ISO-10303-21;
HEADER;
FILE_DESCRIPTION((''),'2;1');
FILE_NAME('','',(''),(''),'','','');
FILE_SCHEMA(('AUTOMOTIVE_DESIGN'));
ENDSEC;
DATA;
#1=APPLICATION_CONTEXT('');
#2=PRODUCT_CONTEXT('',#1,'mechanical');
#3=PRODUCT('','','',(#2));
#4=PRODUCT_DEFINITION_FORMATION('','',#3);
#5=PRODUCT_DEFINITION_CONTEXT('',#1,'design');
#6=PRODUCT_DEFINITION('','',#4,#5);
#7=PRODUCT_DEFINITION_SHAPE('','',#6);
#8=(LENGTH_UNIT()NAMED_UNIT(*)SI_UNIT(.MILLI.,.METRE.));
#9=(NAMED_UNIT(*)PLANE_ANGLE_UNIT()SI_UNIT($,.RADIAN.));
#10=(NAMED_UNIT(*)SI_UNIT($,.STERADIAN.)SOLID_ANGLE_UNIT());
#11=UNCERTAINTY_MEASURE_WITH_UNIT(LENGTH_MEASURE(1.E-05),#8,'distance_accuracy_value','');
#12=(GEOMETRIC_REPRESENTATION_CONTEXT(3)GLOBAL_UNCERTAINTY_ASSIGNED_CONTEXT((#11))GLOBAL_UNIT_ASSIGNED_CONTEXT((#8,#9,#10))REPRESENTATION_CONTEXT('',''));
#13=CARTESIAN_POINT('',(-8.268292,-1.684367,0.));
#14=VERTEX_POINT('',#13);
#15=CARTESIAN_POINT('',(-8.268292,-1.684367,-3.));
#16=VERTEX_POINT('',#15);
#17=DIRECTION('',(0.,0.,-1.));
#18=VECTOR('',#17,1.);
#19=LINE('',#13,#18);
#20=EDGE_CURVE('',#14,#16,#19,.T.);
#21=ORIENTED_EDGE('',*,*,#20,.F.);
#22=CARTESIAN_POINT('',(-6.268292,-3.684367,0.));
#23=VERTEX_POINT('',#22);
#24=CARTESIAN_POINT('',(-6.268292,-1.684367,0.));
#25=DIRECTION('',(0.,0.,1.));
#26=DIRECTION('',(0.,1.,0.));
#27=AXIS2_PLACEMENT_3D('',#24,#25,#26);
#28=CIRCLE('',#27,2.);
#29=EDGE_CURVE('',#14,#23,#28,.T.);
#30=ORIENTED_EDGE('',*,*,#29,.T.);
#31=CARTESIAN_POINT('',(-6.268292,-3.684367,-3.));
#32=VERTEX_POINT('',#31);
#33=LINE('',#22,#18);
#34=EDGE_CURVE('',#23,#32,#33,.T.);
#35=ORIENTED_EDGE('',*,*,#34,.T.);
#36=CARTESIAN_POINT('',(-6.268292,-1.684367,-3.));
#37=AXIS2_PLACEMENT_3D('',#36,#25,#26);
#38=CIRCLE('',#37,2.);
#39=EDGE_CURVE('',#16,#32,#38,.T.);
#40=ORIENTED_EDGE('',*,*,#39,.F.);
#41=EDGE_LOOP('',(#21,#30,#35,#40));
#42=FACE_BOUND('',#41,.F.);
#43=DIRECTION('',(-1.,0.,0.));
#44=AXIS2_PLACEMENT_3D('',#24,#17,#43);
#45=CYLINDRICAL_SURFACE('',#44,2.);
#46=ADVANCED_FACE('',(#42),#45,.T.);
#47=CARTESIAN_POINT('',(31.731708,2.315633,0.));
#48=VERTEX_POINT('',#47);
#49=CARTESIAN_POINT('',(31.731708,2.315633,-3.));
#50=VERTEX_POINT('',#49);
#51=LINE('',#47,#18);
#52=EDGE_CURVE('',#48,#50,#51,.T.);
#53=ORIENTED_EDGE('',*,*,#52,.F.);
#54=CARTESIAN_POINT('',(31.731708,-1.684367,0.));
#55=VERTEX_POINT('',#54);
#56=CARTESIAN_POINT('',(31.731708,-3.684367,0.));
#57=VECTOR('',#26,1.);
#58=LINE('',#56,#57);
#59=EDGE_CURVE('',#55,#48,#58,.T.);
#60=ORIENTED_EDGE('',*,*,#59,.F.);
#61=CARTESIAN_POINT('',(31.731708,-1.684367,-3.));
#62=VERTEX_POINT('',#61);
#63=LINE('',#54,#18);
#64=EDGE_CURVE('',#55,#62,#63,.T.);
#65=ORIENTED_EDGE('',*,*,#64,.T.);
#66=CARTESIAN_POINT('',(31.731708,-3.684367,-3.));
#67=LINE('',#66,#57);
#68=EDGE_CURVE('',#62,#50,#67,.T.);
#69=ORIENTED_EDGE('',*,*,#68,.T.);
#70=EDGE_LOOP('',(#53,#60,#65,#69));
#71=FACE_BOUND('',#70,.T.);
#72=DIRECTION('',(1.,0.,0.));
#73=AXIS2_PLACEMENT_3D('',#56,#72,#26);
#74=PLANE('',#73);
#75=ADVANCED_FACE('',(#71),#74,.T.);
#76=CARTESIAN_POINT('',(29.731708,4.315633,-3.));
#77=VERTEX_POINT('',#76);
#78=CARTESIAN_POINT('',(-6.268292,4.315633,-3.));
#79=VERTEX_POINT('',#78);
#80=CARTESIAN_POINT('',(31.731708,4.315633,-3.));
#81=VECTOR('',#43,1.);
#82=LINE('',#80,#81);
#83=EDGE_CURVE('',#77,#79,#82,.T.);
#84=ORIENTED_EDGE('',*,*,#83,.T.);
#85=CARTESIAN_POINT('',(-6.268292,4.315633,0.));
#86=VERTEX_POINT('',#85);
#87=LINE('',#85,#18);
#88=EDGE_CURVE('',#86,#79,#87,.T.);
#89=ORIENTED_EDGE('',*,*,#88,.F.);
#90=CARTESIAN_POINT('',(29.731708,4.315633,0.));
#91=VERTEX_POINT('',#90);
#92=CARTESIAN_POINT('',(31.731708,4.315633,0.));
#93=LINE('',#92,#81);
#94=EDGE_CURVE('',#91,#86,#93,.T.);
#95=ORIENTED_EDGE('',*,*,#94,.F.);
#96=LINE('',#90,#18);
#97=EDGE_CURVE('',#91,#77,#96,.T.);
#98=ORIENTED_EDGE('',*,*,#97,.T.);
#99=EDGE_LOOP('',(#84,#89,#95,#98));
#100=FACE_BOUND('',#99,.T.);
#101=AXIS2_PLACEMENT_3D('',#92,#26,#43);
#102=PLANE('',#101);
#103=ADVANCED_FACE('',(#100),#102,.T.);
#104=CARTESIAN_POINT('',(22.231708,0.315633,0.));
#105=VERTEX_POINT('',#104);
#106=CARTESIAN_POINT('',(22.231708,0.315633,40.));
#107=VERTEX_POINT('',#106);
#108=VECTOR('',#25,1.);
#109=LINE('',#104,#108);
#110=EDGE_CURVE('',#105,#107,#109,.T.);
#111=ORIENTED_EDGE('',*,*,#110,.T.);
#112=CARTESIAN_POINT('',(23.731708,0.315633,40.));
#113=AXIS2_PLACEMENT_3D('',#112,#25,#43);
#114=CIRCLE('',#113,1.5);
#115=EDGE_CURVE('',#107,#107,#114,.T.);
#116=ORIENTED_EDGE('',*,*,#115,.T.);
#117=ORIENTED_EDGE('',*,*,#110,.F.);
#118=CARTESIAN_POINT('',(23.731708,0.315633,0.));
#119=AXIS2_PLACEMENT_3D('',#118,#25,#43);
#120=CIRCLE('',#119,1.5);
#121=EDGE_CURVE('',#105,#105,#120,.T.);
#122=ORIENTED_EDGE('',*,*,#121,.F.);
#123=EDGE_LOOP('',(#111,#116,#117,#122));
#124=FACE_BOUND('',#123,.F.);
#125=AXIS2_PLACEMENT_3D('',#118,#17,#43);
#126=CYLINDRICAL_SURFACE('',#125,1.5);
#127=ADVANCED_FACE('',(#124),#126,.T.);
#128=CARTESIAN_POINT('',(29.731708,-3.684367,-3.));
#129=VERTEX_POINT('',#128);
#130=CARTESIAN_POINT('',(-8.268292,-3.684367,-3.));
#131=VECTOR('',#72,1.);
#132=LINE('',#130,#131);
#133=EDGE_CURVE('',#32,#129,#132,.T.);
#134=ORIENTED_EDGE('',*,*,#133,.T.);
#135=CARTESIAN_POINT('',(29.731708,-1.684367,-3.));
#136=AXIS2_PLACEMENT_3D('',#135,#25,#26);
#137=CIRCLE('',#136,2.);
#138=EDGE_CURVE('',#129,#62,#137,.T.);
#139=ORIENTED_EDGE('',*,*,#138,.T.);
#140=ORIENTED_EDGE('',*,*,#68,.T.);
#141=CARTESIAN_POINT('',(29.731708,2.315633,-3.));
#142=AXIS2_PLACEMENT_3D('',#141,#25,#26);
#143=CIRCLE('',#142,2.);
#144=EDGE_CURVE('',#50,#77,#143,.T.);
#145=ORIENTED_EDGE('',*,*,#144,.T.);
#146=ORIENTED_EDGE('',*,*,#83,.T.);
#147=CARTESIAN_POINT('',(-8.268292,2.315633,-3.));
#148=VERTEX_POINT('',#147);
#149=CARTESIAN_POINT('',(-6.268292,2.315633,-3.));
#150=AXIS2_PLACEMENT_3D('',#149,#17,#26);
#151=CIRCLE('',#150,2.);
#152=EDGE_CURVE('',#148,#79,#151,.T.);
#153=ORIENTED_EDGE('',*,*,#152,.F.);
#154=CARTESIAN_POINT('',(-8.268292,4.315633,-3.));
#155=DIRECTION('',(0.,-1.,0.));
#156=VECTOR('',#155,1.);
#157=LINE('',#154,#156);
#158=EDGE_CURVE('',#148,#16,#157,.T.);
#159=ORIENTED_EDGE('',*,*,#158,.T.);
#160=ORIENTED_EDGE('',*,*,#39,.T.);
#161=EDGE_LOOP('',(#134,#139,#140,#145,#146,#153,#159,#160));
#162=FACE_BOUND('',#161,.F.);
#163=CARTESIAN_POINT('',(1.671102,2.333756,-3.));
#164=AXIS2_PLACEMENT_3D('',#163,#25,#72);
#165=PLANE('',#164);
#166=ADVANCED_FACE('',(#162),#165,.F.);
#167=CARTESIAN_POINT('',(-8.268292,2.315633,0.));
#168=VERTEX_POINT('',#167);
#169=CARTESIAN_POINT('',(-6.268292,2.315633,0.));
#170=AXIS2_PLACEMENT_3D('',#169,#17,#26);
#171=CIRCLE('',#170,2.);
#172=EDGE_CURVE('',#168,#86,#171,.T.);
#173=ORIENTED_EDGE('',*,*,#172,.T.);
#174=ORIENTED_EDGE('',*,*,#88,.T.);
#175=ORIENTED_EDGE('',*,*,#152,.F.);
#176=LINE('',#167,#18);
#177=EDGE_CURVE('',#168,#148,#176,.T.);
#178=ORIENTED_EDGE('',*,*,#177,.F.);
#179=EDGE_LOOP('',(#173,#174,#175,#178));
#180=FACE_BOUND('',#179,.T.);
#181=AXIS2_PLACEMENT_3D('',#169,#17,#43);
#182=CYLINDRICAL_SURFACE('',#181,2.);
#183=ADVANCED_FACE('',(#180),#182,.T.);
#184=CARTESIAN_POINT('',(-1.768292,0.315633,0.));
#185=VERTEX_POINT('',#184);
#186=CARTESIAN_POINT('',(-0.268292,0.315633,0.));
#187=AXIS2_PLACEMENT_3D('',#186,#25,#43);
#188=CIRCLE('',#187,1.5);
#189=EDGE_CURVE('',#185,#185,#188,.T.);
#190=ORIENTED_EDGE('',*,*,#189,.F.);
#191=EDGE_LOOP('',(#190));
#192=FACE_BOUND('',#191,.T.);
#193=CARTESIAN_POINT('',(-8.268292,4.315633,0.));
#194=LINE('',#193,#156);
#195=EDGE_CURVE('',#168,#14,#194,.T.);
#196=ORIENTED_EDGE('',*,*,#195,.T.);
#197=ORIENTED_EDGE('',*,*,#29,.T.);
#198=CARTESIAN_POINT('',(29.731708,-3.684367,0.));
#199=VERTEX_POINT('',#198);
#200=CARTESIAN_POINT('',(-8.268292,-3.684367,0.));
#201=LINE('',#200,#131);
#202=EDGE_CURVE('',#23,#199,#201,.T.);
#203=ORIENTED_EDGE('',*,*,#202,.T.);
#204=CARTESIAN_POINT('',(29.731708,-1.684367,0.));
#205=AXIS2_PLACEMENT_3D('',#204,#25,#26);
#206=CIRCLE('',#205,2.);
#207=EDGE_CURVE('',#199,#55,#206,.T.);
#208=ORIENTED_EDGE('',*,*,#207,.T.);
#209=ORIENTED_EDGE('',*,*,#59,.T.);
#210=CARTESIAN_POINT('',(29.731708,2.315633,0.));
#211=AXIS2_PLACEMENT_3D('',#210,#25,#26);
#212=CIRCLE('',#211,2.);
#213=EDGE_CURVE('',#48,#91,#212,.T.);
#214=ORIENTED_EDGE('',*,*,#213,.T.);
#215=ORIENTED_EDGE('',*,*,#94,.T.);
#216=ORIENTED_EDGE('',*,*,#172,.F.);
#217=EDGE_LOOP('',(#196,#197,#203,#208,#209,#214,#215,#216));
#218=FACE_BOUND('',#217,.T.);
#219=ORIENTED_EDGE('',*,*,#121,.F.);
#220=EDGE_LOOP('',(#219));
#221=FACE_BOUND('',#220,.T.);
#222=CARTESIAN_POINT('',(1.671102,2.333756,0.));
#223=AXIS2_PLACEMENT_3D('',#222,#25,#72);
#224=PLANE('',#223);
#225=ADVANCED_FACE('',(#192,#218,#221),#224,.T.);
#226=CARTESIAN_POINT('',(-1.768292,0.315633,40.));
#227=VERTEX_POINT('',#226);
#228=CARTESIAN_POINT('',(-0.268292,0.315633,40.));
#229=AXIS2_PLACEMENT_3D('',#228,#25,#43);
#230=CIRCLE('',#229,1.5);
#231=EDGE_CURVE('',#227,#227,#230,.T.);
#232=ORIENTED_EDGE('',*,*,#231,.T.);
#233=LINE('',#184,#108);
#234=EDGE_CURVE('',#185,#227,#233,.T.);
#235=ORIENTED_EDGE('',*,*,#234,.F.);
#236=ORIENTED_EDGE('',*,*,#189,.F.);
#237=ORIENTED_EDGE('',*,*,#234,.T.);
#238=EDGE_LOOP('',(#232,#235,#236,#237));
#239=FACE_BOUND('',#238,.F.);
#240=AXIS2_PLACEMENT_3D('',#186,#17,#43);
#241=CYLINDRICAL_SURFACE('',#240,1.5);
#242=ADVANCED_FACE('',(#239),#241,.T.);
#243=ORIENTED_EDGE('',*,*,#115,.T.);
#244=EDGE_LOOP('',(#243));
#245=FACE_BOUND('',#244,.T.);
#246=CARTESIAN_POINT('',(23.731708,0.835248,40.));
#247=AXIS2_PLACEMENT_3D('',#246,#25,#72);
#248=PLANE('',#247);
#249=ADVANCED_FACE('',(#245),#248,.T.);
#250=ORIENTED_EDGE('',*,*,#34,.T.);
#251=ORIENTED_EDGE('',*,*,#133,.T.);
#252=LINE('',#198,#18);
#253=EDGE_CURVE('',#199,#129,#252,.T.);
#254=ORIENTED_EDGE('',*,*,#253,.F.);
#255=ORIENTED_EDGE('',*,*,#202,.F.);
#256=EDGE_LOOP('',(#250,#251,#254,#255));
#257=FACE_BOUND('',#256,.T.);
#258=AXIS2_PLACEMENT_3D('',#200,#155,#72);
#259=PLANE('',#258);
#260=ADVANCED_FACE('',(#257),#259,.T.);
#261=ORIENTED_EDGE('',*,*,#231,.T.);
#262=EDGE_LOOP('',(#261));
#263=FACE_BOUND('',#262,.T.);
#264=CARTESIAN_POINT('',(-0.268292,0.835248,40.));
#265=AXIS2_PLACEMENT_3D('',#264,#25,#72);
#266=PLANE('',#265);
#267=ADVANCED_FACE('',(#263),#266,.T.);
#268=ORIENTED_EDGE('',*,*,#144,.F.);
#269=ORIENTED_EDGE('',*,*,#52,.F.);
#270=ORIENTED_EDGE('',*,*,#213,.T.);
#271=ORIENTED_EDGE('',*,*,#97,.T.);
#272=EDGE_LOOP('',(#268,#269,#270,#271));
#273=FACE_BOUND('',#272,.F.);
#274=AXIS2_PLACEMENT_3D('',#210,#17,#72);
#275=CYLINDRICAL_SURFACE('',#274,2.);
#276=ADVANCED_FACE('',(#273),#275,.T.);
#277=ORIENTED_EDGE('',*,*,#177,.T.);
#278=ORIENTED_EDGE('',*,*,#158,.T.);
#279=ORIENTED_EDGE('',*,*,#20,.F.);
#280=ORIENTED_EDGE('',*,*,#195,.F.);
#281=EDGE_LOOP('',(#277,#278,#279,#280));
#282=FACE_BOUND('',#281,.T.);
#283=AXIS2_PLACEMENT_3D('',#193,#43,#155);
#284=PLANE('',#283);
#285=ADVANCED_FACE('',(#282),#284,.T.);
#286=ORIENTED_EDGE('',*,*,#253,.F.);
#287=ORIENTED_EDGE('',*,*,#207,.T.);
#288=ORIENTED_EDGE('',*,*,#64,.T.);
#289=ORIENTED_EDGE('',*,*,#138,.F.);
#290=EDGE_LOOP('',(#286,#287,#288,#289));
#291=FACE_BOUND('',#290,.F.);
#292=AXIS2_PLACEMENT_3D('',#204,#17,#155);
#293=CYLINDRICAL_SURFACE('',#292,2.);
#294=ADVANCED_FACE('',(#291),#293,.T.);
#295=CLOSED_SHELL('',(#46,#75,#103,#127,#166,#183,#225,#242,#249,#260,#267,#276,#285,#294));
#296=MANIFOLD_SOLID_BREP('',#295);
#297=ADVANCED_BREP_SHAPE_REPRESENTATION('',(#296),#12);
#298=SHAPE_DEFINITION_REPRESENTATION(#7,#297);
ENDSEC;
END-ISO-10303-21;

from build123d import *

# Parameters (mm, degrees)
F1_DEPTH = 3
F2_R     = 2
F3_DEPTH = 40


with BuildPart() as f1:
    # F0 (on Top) → F1 (new body)
    with BuildSketch(Plane.XY):
        with BuildLine():
            Line((11.7317076979, 4.315632835), (-8.2682923021, 4.315632835))
            Line((-8.2682923021, 4.315632835), (-8.2682923021, 0.315632835))
            Line((-8.2682923021, 0.315632835), (-1.7682923021, 0.315632835))
            ThreePointArc((-1.7682923021, 0.315632835), (-0.2682923021, 1.815632835), (1.2317076979, 0.315632835))
            Line((1.2317076979, 0.315632835), (11.7317076979, 0.315632835))
            Line((11.7317076979, 0.315632835), (11.7317076979, 4.315632835))
        make_face()
        with BuildLine():
            Line((31.7317076979, 4.315632835), (11.7317076979, 4.315632835))
            Line((11.7317076979, 4.315632835), (11.7317076979, 0.315632835))
            Line((11.7317076979, 0.315632835), (22.2317076979, 0.315632835))
            ThreePointArc((22.2317076979, 0.315632835), (23.7317076979, 1.815632835), (25.2317076979, 0.315632835))
            Line((25.2317076979, 0.315632835), (31.7317076979, 0.315632835))
            Line((31.7317076979, 0.315632835), (31.7317076979, 4.315632835))
        make_face()
        with BuildLine():
            Line((-1.7682923021, 0.315632835), (-8.2682923021, 0.315632835))
            Line((-8.2682923021, 0.315632835), (-8.2682923021, -3.684367165))
            Line((-8.2682923021, -3.684367165), (11.7317076979, -3.684367165))
            Line((11.7317076979, -3.684367165), (11.7317076979, 0.315632835))
            Line((11.7317076979, 0.315632835), (1.2317076979, 0.315632835))
            ThreePointArc((1.2317076979, 0.315632835), (-0.2682923021, -1.184367165), (-1.7682923021, 0.315632835))
        make_face()
        with BuildLine():
            Line((22.2317076979, 0.315632835), (11.7317076979, 0.315632835))
            Line((11.7317076979, 0.315632835), (11.7317076979, -3.684367165))
            Line((11.7317076979, -3.684367165), (31.7317076979, -3.684367165))
            Line((31.7317076979, -3.684367165), (31.7317076979, 0.315632835))
            Line((31.7317076979, 0.315632835), (25.2317076979, 0.315632835))
            ThreePointArc((25.2317076979, 0.315632835), (23.7317076979, -1.184367165), (22.2317076979, 0.315632835))
        make_face()
        with BuildLine():
            Line((1.2317076979, 0.315632835), (-1.7682923021, 0.315632835))
            ThreePointArc((-1.7682923021, 0.315632835), (-0.2682923021, -1.184367165), (1.2317076979, 0.315632835))
        make_face()
        with BuildLine():
            ThreePointArc((1.2317076979, 0.315632835), (-0.2682923021, 1.815632835), (-1.7682923021, 0.315632835))
            Line((-1.7682923021, 0.315632835), (1.2317076979, 0.315632835))
        make_face()
        with BuildLine():
            ThreePointArc((25.2317076979, 0.315632835), (23.7317076979, 1.815632835), (22.2317076979, 0.315632835))
            Line((22.2317076979, 0.315632835), (25.2317076979, 0.315632835))
        make_face()
        with BuildLine():
            Line((25.2317076979, 0.315632835), (22.2317076979, 0.315632835))
            ThreePointArc((22.2317076979, 0.315632835), (23.7317076979, -1.184367165), (25.2317076979, 0.315632835))
        make_face()
    extrude(amount=-F1_DEPTH)

    # F2
    f2_edges = [f1.edges().sort_by_distance(p)[0] for p in [
        (-8.268292, -3.684367, -1.5),
        (-8.268292, 4.315633, -1.5),
        (31.731708, -3.684367, -1.5),
        (31.731708, 4.315633, -1.5),
    ]]
    fillet(f2_edges, radius=F2_R)

    # F0 (on Top) → F3 (join)
    with BuildSketch(Plane.XY):
        with BuildLine():
            ThreePointArc((1.2317076979, 0.315632835), (-0.2682923021, 1.815632835), (-1.7682923021, 0.315632835))
            Line((-1.7682923021, 0.315632835), (1.2317076979, 0.315632835))
        make_face()
        with BuildLine():
            Line((1.2317076979, 0.315632835), (-1.7682923021, 0.315632835))
            ThreePointArc((-1.7682923021, 0.315632835), (-0.2682923021, -1.184367165), (1.2317076979, 0.315632835))
        make_face()
        with BuildLine():
            ThreePointArc((25.2317076979, 0.315632835), (23.7317076979, 1.815632835), (22.2317076979, 0.315632835))
            Line((22.2317076979, 0.315632835), (25.2317076979, 0.315632835))
        make_face()
        with BuildLine():
            Line((25.2317076979, 0.315632835), (22.2317076979, 0.315632835))
            ThreePointArc((22.2317076979, 0.315632835), (23.7317076979, -1.184367165), (25.2317076979, 0.315632835))
        make_face()
    extrude(amount=F3_DEPTH)


solid = f1.part
